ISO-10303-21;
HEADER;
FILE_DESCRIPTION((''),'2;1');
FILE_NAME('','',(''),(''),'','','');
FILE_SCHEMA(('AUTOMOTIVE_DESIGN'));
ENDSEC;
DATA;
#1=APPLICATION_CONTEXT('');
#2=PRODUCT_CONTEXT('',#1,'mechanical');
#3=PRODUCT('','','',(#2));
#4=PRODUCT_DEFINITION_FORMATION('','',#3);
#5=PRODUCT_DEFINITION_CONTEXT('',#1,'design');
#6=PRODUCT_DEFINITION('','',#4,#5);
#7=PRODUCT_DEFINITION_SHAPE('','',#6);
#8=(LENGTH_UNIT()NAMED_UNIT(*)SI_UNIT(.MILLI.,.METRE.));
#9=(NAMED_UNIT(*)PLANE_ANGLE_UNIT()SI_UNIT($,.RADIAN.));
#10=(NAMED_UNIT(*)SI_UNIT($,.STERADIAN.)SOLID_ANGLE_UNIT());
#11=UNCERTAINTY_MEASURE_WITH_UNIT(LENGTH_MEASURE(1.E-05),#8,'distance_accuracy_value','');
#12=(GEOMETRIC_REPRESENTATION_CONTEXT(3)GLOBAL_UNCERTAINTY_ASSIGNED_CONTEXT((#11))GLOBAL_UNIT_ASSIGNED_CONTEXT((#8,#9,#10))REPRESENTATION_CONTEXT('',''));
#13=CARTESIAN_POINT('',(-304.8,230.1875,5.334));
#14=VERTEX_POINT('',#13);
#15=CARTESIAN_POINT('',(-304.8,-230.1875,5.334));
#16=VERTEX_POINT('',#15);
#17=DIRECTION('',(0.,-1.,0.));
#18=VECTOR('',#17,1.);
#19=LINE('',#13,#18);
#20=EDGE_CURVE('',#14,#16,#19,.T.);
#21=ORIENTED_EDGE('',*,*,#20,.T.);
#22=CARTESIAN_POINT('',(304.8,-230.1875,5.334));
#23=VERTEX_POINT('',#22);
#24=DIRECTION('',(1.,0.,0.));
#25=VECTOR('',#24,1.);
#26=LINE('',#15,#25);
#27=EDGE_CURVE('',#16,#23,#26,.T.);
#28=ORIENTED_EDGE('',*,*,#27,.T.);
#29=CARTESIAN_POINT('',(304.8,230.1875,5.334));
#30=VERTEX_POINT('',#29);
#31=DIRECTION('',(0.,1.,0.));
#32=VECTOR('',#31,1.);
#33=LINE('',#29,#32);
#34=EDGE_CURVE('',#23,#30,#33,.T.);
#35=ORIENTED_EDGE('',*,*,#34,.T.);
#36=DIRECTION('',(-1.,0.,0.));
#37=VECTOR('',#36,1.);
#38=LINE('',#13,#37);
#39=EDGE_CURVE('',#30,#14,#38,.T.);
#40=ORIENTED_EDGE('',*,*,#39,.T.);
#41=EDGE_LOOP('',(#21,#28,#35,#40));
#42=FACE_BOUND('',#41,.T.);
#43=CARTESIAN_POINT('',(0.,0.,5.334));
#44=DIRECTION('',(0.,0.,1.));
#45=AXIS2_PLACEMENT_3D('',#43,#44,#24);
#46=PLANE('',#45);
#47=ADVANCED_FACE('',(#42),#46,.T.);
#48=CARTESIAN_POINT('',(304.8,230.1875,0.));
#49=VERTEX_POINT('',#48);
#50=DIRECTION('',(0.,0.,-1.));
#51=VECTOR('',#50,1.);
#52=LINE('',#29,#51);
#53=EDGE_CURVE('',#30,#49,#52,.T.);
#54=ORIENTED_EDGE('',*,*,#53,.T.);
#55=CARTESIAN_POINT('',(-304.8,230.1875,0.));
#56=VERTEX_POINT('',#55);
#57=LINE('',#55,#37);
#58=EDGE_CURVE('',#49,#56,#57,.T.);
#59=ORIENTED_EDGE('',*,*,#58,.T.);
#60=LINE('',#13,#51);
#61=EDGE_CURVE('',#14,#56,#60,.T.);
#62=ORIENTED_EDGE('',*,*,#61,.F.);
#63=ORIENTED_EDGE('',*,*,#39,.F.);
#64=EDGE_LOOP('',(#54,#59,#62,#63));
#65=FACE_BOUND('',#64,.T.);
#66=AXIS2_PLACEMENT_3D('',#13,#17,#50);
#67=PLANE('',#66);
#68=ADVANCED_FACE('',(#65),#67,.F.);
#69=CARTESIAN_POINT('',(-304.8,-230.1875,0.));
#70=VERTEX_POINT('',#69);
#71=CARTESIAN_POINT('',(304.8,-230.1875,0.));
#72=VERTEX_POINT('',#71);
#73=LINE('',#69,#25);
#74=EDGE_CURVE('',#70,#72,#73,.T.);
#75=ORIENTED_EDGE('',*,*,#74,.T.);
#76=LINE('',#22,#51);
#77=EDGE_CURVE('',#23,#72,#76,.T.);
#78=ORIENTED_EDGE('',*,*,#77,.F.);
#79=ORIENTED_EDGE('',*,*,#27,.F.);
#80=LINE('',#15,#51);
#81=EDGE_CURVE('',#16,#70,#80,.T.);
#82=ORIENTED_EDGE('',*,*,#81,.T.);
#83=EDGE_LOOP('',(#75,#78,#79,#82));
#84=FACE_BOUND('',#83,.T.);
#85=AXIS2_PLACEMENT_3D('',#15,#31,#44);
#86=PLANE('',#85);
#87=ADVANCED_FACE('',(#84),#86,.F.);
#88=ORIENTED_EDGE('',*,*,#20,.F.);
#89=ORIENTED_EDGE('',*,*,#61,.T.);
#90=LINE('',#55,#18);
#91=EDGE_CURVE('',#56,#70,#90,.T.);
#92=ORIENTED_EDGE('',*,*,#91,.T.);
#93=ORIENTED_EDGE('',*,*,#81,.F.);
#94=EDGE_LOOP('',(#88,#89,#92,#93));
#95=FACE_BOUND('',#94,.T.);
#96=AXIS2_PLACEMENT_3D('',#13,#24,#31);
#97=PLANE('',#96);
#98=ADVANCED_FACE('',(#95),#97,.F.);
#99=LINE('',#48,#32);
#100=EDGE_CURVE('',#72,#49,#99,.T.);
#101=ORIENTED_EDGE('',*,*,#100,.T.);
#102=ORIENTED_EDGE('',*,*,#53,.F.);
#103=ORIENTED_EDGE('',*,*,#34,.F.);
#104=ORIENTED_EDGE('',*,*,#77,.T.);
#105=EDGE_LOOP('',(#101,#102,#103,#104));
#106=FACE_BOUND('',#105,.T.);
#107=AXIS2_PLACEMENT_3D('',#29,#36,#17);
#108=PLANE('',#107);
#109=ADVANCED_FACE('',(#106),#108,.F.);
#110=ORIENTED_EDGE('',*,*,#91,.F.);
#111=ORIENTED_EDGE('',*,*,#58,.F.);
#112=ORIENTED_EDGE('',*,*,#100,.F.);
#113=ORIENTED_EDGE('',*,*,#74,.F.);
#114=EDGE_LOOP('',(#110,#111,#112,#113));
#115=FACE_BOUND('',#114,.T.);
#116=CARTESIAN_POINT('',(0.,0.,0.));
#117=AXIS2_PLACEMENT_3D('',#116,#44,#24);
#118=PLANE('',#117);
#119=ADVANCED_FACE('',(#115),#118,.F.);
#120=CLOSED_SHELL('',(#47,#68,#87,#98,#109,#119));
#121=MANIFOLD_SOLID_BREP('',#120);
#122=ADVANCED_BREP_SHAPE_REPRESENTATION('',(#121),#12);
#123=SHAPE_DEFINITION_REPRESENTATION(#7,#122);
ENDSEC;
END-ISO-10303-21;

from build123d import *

# Parameters (mm, degrees)
SKETCH1_W           = 609.6
SKETCH1_H           = 460.375
BOSS_EXTRUDE1_DEPTH = 5.334


with BuildPart() as part:
    # Sketch1 → Boss-Extrude1 (new body)
    with BuildSketch(Plane.XY):
        Rectangle(SKETCH1_W, SKETCH1_H)
    extrude(amount=BOSS_EXTRUDE1_DEPTH)


solid = part.part
